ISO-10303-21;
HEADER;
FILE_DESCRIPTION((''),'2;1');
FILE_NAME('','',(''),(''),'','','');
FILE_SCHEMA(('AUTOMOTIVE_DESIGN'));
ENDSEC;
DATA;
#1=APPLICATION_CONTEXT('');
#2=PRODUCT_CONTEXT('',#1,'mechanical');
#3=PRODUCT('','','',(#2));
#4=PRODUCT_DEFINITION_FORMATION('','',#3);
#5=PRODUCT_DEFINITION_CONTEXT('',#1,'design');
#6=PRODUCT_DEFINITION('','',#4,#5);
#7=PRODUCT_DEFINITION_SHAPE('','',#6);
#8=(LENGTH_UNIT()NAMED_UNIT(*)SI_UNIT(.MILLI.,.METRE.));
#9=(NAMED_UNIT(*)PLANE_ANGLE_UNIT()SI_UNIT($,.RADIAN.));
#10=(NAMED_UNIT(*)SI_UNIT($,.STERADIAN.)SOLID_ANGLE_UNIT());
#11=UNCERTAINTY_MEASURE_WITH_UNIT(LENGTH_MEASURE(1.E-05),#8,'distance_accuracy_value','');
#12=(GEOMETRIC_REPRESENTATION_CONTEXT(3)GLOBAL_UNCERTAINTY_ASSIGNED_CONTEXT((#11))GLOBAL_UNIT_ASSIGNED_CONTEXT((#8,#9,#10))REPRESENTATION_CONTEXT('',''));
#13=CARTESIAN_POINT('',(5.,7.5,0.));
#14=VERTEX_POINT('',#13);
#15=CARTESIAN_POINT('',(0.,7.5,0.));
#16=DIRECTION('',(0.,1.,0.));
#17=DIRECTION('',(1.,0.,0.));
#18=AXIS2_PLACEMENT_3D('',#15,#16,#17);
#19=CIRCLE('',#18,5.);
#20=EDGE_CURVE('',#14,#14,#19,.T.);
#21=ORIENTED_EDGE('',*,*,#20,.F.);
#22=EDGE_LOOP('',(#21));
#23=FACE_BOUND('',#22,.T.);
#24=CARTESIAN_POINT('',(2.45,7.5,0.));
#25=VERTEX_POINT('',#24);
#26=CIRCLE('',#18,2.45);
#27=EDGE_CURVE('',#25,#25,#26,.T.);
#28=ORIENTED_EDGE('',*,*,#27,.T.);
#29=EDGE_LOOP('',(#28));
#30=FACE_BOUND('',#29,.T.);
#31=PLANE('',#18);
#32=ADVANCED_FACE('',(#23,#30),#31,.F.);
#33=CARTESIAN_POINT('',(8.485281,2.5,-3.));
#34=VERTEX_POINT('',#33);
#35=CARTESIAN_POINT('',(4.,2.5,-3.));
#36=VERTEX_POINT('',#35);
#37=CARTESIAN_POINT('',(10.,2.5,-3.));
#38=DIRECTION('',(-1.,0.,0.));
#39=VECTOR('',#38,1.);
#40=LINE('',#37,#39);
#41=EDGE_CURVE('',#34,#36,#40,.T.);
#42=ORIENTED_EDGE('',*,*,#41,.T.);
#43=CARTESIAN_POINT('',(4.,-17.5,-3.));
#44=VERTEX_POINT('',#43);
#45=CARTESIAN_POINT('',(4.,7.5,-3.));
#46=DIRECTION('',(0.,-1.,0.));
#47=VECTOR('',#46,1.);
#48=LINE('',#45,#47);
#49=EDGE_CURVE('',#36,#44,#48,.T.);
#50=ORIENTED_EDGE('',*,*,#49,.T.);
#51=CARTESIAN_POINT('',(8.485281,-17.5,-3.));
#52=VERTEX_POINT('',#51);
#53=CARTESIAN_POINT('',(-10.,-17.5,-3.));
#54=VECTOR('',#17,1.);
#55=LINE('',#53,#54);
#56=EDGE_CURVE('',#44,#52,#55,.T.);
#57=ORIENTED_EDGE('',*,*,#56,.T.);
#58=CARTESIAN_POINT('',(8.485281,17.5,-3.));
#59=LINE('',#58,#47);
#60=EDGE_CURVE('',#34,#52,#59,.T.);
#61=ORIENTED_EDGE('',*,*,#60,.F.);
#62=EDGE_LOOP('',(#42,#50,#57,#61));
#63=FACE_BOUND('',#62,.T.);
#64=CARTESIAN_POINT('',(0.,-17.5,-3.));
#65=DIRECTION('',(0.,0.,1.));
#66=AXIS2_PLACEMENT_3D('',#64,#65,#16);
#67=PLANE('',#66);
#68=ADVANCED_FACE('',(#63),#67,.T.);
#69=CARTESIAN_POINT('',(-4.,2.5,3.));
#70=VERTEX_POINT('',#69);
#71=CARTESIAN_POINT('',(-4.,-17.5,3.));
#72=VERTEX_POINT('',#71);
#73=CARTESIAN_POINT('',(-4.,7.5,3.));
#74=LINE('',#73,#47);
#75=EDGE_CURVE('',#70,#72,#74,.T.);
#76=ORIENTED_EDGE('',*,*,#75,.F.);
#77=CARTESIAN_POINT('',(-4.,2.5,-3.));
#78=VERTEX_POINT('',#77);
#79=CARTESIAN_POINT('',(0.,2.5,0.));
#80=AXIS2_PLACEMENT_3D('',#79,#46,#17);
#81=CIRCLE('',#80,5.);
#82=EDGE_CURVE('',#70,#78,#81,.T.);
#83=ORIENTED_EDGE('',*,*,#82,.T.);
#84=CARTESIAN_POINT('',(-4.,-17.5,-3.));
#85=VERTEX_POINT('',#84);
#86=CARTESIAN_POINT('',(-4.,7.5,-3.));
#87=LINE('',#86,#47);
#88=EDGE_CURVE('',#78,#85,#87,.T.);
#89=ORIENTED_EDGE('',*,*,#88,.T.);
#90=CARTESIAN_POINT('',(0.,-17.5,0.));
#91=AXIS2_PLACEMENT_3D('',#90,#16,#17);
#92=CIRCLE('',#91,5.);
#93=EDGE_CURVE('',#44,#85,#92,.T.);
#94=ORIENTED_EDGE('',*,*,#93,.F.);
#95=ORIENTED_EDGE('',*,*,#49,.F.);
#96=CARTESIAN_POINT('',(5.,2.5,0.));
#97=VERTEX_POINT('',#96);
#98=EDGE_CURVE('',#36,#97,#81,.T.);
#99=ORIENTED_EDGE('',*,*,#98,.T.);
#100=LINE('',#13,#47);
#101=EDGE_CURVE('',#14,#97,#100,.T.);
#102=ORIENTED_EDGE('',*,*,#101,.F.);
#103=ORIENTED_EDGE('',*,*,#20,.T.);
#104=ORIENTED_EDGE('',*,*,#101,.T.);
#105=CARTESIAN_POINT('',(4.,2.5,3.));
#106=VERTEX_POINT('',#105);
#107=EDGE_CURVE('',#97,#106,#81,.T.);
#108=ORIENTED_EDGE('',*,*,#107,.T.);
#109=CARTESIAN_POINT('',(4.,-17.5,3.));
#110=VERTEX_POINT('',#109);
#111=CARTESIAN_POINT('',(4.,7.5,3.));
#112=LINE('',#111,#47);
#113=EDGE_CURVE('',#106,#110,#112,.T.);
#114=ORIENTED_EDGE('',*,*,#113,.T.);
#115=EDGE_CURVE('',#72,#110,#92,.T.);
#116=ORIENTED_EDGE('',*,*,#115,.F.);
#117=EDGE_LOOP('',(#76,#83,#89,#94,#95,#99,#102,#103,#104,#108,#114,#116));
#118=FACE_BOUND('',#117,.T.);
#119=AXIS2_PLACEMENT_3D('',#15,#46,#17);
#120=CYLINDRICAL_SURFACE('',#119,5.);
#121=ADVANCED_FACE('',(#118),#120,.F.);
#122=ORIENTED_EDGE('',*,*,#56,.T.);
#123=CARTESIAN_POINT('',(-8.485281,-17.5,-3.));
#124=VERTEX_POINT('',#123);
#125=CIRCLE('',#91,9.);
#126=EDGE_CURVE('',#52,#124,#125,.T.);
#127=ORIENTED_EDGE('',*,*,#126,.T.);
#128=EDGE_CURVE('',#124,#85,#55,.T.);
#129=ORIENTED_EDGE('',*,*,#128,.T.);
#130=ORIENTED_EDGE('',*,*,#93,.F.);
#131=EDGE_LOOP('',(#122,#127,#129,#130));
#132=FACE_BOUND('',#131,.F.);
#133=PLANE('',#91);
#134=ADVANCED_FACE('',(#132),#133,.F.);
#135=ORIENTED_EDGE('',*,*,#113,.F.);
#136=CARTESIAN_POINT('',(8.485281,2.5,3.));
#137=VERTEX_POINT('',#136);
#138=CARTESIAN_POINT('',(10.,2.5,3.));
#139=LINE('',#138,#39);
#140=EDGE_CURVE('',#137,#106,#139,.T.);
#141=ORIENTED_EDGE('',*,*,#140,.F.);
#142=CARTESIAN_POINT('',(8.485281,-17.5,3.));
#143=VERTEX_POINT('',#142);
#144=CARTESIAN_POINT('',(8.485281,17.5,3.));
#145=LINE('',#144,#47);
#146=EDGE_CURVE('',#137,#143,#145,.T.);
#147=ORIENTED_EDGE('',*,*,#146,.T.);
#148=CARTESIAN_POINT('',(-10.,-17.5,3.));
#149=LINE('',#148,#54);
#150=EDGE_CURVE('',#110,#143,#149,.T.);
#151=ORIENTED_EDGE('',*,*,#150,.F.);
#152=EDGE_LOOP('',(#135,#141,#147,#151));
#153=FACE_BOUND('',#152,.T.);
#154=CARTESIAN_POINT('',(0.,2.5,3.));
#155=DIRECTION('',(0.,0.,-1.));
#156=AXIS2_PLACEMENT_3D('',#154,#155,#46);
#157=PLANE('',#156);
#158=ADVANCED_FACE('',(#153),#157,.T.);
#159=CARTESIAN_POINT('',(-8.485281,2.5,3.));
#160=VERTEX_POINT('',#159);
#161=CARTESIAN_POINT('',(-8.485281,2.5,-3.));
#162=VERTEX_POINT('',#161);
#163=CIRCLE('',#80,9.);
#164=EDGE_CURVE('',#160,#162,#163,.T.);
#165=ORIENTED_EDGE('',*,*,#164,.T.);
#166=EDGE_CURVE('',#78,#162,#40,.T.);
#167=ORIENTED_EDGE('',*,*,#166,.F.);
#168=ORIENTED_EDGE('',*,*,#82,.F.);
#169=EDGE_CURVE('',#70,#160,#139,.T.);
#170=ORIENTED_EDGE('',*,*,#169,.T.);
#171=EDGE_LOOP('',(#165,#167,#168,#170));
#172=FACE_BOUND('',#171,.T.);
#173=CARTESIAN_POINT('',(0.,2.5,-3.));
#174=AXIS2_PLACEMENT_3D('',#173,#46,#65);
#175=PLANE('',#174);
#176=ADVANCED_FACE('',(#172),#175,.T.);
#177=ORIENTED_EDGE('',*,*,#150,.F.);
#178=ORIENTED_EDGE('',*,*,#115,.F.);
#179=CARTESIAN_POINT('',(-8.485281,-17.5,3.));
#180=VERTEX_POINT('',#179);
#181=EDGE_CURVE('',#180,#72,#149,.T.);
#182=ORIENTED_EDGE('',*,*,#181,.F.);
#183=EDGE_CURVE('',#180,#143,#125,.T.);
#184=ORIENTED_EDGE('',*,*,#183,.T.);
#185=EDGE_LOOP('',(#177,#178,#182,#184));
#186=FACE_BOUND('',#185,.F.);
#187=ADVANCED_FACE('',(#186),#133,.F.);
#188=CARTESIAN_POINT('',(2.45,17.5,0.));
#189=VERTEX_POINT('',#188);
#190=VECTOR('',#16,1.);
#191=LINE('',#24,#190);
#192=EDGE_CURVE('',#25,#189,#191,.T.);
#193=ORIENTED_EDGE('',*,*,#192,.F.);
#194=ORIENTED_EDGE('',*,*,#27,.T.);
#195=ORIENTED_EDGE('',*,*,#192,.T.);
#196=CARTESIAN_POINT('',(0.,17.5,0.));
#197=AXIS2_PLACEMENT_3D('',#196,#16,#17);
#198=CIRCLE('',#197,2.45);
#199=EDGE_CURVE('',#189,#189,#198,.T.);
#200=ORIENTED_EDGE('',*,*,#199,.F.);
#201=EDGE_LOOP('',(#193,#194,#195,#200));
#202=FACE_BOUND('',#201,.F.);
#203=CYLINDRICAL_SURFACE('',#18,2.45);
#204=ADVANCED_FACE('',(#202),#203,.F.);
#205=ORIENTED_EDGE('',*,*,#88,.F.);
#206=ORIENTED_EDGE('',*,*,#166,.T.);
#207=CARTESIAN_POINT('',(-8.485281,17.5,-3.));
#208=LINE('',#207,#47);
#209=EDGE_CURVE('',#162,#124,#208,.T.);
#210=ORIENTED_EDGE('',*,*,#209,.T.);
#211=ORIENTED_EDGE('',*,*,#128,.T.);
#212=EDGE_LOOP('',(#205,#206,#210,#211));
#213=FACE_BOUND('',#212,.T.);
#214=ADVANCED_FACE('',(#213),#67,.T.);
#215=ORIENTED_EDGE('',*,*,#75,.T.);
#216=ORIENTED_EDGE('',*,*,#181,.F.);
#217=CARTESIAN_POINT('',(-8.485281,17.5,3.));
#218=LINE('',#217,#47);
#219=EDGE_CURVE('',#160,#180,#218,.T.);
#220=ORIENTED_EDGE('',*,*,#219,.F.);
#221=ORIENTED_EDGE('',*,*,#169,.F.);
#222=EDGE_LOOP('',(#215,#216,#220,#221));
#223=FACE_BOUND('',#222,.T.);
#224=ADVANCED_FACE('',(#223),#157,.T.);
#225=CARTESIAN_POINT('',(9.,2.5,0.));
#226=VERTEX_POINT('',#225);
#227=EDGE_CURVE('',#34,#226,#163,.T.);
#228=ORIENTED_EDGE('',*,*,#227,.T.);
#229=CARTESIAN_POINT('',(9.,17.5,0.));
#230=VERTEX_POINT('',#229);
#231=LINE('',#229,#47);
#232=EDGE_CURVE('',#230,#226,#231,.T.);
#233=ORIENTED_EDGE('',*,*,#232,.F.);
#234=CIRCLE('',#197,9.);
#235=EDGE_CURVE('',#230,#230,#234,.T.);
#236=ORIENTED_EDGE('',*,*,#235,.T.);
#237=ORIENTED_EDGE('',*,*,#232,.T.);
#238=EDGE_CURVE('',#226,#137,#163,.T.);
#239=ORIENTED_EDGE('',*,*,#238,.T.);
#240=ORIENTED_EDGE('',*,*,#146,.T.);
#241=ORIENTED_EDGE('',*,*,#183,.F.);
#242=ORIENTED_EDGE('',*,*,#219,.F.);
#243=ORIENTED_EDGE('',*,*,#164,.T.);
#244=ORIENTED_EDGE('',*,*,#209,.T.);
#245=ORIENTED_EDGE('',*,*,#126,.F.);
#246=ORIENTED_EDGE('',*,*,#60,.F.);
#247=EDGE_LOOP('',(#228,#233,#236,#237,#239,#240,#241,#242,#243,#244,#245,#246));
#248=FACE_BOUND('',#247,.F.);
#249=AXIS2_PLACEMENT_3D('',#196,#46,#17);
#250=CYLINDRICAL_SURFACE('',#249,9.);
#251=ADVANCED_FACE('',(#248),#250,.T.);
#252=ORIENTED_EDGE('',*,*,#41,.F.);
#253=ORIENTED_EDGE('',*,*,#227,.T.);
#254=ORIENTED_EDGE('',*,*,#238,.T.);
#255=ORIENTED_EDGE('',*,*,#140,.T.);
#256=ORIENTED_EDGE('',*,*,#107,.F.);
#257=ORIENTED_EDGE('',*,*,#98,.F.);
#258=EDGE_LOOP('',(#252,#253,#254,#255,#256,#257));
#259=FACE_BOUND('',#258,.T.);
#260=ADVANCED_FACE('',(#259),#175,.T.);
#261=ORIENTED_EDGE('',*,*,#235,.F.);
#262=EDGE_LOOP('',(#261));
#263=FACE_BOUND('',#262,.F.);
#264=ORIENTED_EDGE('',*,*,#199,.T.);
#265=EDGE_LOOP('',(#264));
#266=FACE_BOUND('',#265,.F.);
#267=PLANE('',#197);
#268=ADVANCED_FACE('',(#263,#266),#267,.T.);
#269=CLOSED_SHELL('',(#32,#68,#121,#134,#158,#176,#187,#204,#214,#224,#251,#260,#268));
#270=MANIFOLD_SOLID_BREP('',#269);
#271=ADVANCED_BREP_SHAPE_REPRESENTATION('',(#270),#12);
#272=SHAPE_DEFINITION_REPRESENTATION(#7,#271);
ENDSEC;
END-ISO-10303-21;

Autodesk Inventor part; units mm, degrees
ref_plane "YZ Plane" through (0, 0, 0) normal (1, 0, 0) x (0, 1, 0)
ref_plane "XZ Plane" through (0, 0, 0) normal (0, 1, 0) x (-1, 0, 0)
ref_plane "XY Plane" through (0, 0, 0) normal (0, 0, 1) x (1, 0, 0)
sketch "Sketch1" plane through (0, 0, 0) normal (0, 0, 1) x (1, 0, 0)
  line L0 (0, 17.5) -> (9, 17.5)
  line L1 (9, 17.5) -> (9, -17.5)
  line L2 (9, -17.5) -> (0, -17.5)
  line L3 (0, -17.5) -> (0, 17.5)
  line L4 (0, 7.5) -> (2.45, 7.5)
  line L5 (2.45, 7.5) -> (2.45, 17.5)
  line L6 (2.45, 17.5) -> (0, 17.5)
  line L7 (0, 17.5) -> (0, 7.5)
  line L8 (0, 7.5) -> (5, 7.5)
  line L9 (5, 7.5) -> (5, -17.5)
  line L10 (5, -17.5) -> (0, -17.5)
  line L11 (0, -17.5) -> (0, 7.5)
  point P0 (0, 0)
  dimension "d0" = 9
  dimension "d1" = 35
  dimension "d2" = 17.5
  dimension "d3" = 10
  dimension "d4" = 2.45
  dimension "d5" = 5
revolve "Revolution1" add sketch "Sketch1" angle 360 about axis through (0, -17.5, 0) along (0, 1, 0) contours L0 L1 L2 L9 L8 L5
sketch "Sketch2" plane through (0, 0, 0) normal (1, 0, 0) x (0, 1, 0)
  line L0 (-17.5, 5) -> (-17.5, -5) projected
  line L1 (2.5, 3) -> (-17.5, 3)
  line L2 (-17.5, 3) -> (-17.5, -3)
  line L3 (-17.5, -3) -> (2.5, -3)
  line L4 (2.5, -3) -> (2.5, 3)
  line L5 (-17.5, 5) -> (7.5, 5) projected
  line L6 (-17.5, -5) -> (7.5, -5) projected
  line L7 (7.5, 5) -> (7.5, -5) projected
  point P0 (2.5, 0)
  dimension "d7" = 2
  dimension "d8" = 2
  dimension "d11" = 5
extrude "Extrusion1" cut sketch "Sketch2" along normal through all both and the other way through all contours L1 L4 L3 L0
equation "\"d2\" = 0.5 * d1"
properties part number "mini fidget foot"
